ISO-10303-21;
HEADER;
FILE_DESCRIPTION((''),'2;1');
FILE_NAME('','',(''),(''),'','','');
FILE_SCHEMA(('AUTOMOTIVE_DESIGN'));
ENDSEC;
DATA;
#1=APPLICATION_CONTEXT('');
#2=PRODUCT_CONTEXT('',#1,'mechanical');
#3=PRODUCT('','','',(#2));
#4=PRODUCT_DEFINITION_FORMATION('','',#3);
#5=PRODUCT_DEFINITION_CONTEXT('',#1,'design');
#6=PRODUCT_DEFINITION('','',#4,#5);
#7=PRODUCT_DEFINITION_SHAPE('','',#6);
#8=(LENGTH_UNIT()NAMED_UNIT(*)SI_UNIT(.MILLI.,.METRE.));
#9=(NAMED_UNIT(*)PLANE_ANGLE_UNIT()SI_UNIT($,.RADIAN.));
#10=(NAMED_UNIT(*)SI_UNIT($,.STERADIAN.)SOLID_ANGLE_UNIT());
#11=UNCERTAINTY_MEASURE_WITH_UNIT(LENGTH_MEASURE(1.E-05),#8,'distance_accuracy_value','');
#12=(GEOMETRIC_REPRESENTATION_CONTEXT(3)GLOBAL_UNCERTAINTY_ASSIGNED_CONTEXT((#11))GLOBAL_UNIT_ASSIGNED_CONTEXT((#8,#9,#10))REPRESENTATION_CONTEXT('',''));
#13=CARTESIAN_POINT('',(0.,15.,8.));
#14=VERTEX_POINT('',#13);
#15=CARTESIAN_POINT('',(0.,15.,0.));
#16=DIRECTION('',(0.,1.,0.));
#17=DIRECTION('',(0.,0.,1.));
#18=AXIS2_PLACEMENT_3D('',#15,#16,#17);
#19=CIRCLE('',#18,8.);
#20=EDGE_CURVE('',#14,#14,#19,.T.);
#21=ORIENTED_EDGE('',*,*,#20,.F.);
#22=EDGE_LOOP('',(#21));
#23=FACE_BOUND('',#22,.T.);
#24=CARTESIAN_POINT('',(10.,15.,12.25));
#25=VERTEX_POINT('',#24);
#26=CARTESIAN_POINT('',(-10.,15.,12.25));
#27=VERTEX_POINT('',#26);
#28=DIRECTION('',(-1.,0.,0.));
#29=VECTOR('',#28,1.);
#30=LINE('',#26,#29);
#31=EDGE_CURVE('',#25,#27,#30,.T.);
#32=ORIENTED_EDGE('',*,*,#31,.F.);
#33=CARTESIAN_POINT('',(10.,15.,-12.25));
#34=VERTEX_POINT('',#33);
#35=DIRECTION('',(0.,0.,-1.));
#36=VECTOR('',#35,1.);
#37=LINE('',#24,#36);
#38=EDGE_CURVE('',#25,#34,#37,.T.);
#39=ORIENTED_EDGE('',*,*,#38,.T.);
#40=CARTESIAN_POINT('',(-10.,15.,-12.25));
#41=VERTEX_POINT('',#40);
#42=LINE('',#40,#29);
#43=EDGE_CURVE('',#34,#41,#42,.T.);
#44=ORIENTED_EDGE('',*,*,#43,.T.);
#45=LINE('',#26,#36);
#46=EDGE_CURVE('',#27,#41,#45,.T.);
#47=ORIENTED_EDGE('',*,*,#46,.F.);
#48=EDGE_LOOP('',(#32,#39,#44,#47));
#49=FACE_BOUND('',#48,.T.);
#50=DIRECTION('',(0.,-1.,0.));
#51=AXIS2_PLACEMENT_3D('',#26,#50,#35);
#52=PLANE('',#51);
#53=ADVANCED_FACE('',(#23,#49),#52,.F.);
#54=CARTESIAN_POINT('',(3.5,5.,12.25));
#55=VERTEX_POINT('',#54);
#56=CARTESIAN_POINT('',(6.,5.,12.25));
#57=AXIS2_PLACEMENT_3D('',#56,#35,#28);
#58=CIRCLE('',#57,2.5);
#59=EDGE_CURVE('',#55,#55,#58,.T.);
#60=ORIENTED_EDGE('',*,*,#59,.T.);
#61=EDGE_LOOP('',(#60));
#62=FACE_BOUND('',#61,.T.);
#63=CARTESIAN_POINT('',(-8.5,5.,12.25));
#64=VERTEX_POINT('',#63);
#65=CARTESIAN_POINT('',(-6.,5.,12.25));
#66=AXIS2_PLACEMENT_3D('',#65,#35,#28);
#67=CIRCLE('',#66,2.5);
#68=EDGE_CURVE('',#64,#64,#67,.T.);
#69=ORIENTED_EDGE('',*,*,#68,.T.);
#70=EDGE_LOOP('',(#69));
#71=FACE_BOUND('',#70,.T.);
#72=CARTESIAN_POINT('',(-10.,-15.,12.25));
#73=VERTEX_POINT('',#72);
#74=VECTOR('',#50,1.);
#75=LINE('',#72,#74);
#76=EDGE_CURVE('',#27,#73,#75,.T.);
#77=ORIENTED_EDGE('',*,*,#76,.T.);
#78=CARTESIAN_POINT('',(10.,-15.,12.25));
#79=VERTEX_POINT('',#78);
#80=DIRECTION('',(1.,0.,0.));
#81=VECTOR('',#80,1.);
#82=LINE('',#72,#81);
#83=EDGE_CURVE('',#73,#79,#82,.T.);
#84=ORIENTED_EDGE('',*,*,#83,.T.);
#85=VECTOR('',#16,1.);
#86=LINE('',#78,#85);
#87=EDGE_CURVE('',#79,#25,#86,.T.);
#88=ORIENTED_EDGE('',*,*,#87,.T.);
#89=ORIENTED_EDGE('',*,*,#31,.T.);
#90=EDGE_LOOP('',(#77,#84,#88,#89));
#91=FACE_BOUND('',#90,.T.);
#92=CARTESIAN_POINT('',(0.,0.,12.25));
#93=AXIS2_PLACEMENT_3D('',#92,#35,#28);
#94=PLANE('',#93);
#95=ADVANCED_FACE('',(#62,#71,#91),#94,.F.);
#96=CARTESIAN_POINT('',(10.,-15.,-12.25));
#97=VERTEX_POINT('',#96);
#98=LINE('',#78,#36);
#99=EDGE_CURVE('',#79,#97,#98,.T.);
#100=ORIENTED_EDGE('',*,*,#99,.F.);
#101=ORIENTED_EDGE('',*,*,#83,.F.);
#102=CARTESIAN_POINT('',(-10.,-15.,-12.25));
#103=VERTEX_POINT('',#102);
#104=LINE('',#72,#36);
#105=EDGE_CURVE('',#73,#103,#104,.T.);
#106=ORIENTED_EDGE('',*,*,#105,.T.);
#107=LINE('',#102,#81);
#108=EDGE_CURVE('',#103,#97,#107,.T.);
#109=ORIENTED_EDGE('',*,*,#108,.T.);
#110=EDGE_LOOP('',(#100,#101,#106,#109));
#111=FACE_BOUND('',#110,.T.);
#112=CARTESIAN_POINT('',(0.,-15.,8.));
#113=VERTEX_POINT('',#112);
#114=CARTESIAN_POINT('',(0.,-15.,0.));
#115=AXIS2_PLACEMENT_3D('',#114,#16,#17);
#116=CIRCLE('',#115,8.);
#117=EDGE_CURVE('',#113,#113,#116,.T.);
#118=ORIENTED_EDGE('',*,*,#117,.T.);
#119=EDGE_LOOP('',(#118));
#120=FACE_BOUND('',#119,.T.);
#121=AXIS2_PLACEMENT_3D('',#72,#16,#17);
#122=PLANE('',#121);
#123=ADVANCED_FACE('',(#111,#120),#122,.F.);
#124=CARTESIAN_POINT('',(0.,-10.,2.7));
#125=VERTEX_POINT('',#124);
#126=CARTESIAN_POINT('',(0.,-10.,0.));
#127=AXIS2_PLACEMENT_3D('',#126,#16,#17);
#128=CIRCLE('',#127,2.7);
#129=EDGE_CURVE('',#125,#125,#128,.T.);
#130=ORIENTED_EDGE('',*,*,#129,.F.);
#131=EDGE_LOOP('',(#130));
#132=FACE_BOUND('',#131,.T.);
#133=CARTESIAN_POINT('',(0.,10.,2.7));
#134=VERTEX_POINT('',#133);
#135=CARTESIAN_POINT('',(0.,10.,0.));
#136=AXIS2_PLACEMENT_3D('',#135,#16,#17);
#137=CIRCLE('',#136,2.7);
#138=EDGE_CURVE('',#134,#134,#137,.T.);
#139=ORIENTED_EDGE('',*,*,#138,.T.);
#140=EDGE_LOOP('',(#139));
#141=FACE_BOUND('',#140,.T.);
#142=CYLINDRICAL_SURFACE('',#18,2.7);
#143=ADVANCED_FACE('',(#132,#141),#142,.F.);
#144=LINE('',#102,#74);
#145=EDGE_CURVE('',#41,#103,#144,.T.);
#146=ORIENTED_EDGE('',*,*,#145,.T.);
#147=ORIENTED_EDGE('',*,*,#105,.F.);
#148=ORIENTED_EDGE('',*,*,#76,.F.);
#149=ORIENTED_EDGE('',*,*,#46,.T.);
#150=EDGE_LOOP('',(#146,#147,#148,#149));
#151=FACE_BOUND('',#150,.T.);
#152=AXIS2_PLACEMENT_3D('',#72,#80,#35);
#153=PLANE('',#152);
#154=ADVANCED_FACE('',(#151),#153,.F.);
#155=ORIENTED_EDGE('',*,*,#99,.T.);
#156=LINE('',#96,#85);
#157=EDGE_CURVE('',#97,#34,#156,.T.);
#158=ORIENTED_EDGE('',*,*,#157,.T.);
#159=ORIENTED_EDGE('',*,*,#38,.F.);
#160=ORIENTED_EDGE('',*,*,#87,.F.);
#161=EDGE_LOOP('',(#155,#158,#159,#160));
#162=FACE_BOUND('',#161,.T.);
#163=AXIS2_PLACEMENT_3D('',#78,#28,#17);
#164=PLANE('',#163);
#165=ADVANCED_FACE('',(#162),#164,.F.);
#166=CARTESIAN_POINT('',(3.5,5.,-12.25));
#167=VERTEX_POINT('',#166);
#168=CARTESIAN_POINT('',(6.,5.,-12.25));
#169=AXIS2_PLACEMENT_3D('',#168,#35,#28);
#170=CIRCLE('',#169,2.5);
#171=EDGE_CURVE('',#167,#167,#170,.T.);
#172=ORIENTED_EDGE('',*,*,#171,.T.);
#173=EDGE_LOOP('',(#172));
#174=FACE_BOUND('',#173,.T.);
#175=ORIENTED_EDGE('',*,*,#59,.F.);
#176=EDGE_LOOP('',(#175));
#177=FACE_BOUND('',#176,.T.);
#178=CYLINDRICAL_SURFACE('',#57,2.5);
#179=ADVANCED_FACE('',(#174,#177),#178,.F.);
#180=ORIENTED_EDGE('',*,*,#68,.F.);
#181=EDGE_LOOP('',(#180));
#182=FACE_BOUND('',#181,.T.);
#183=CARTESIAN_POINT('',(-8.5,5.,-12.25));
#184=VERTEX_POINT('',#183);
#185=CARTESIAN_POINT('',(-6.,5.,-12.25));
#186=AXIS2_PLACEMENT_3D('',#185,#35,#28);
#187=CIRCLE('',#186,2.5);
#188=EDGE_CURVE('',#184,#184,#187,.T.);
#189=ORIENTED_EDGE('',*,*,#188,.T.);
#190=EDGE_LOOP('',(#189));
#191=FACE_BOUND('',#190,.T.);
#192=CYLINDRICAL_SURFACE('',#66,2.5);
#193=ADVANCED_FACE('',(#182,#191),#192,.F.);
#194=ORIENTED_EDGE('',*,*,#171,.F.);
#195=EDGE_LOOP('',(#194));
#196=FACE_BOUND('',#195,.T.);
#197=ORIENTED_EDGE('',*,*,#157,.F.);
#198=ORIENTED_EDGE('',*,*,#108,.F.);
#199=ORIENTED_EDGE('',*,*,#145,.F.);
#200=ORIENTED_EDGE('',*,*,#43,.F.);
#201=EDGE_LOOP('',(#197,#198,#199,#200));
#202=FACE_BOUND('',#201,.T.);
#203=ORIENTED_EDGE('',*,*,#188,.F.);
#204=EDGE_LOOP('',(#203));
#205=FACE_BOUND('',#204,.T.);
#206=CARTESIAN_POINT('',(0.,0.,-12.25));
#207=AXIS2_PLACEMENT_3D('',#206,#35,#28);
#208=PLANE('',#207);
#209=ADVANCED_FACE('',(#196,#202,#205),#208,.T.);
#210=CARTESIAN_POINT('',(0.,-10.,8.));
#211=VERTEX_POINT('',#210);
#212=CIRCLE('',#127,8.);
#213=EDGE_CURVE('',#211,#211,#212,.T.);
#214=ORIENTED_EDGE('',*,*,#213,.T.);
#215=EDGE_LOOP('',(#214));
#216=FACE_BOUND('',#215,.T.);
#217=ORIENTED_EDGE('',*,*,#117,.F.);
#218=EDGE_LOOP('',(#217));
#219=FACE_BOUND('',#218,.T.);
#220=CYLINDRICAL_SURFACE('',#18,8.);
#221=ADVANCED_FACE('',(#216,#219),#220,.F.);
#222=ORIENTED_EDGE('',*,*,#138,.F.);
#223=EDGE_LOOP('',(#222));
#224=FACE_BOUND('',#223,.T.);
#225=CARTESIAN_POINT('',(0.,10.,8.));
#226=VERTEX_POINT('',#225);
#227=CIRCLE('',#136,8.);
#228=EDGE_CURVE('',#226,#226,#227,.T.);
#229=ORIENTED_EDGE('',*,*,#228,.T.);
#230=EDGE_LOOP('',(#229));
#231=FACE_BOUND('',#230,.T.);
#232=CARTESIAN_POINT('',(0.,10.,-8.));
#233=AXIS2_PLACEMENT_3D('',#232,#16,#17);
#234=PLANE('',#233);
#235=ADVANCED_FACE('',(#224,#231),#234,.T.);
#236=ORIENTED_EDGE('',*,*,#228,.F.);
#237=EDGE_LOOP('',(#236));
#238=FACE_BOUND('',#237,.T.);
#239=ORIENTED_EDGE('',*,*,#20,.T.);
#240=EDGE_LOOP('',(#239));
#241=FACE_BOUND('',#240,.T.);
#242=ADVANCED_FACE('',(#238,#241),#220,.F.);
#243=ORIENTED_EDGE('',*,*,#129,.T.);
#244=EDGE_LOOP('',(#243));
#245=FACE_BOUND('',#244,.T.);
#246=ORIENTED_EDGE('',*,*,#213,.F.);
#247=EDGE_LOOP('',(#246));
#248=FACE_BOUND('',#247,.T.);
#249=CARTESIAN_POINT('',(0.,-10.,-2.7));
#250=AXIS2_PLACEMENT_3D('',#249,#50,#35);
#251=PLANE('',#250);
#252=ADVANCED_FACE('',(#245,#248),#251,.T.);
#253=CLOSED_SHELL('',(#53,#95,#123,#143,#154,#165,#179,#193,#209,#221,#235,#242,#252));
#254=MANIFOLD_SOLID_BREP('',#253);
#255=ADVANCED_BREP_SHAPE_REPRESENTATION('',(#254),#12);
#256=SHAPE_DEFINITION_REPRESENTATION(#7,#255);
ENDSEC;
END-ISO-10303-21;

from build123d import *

# Parameters (mm, degrees)
SKETCH1_W           = 20
SKETCH1_H           = 30
BOSS_EXTRUDE1_DEPTH = 12.25
SKETCH4_R           = 2.5
CUT_EXTRUDE1_DEPTH  = 25.5


with BuildPart() as part:
    # Sketch1 → Boss-Extrude1 (new body, symmetric)
    with BuildSketch(Plane.XY):
        Rectangle(SKETCH1_W, SKETCH1_H)
    extrude(amount=BOSS_EXTRUDE1_DEPTH, both=True)

    # Sketch3 → Cut-Revolve1 (revolve, cut)
    with BuildSketch(Plane(origin=(0, 0, 0), x_dir=(0, 0, -1), z_dir=(1, 0, 0))):
        Polygon((0, 15), (0, -15), (8, -15), (8, -10), (2.7, -10), (2.7, 10), (8, 10), (8, 15), align=None)
    revolve(axis=Axis((0, 15, 0), (0, -1, 0)), mode=Mode.SUBTRACT)

    # Sketch4 → Cut-Extrude1 (cut, through all)
    with BuildSketch(Plane(origin=(0, 0, -12.25), x_dir=(-1, 0, 0), z_dir=(0, 0, -1))):
        with Locations((-6, 5)):
            Circle(SKETCH4_R)
        with Locations((6, 5)):
            Circle(SKETCH4_R)
    extrude(amount=-CUT_EXTRUDE1_DEPTH, mode=Mode.SUBTRACT)


solid = part.part
